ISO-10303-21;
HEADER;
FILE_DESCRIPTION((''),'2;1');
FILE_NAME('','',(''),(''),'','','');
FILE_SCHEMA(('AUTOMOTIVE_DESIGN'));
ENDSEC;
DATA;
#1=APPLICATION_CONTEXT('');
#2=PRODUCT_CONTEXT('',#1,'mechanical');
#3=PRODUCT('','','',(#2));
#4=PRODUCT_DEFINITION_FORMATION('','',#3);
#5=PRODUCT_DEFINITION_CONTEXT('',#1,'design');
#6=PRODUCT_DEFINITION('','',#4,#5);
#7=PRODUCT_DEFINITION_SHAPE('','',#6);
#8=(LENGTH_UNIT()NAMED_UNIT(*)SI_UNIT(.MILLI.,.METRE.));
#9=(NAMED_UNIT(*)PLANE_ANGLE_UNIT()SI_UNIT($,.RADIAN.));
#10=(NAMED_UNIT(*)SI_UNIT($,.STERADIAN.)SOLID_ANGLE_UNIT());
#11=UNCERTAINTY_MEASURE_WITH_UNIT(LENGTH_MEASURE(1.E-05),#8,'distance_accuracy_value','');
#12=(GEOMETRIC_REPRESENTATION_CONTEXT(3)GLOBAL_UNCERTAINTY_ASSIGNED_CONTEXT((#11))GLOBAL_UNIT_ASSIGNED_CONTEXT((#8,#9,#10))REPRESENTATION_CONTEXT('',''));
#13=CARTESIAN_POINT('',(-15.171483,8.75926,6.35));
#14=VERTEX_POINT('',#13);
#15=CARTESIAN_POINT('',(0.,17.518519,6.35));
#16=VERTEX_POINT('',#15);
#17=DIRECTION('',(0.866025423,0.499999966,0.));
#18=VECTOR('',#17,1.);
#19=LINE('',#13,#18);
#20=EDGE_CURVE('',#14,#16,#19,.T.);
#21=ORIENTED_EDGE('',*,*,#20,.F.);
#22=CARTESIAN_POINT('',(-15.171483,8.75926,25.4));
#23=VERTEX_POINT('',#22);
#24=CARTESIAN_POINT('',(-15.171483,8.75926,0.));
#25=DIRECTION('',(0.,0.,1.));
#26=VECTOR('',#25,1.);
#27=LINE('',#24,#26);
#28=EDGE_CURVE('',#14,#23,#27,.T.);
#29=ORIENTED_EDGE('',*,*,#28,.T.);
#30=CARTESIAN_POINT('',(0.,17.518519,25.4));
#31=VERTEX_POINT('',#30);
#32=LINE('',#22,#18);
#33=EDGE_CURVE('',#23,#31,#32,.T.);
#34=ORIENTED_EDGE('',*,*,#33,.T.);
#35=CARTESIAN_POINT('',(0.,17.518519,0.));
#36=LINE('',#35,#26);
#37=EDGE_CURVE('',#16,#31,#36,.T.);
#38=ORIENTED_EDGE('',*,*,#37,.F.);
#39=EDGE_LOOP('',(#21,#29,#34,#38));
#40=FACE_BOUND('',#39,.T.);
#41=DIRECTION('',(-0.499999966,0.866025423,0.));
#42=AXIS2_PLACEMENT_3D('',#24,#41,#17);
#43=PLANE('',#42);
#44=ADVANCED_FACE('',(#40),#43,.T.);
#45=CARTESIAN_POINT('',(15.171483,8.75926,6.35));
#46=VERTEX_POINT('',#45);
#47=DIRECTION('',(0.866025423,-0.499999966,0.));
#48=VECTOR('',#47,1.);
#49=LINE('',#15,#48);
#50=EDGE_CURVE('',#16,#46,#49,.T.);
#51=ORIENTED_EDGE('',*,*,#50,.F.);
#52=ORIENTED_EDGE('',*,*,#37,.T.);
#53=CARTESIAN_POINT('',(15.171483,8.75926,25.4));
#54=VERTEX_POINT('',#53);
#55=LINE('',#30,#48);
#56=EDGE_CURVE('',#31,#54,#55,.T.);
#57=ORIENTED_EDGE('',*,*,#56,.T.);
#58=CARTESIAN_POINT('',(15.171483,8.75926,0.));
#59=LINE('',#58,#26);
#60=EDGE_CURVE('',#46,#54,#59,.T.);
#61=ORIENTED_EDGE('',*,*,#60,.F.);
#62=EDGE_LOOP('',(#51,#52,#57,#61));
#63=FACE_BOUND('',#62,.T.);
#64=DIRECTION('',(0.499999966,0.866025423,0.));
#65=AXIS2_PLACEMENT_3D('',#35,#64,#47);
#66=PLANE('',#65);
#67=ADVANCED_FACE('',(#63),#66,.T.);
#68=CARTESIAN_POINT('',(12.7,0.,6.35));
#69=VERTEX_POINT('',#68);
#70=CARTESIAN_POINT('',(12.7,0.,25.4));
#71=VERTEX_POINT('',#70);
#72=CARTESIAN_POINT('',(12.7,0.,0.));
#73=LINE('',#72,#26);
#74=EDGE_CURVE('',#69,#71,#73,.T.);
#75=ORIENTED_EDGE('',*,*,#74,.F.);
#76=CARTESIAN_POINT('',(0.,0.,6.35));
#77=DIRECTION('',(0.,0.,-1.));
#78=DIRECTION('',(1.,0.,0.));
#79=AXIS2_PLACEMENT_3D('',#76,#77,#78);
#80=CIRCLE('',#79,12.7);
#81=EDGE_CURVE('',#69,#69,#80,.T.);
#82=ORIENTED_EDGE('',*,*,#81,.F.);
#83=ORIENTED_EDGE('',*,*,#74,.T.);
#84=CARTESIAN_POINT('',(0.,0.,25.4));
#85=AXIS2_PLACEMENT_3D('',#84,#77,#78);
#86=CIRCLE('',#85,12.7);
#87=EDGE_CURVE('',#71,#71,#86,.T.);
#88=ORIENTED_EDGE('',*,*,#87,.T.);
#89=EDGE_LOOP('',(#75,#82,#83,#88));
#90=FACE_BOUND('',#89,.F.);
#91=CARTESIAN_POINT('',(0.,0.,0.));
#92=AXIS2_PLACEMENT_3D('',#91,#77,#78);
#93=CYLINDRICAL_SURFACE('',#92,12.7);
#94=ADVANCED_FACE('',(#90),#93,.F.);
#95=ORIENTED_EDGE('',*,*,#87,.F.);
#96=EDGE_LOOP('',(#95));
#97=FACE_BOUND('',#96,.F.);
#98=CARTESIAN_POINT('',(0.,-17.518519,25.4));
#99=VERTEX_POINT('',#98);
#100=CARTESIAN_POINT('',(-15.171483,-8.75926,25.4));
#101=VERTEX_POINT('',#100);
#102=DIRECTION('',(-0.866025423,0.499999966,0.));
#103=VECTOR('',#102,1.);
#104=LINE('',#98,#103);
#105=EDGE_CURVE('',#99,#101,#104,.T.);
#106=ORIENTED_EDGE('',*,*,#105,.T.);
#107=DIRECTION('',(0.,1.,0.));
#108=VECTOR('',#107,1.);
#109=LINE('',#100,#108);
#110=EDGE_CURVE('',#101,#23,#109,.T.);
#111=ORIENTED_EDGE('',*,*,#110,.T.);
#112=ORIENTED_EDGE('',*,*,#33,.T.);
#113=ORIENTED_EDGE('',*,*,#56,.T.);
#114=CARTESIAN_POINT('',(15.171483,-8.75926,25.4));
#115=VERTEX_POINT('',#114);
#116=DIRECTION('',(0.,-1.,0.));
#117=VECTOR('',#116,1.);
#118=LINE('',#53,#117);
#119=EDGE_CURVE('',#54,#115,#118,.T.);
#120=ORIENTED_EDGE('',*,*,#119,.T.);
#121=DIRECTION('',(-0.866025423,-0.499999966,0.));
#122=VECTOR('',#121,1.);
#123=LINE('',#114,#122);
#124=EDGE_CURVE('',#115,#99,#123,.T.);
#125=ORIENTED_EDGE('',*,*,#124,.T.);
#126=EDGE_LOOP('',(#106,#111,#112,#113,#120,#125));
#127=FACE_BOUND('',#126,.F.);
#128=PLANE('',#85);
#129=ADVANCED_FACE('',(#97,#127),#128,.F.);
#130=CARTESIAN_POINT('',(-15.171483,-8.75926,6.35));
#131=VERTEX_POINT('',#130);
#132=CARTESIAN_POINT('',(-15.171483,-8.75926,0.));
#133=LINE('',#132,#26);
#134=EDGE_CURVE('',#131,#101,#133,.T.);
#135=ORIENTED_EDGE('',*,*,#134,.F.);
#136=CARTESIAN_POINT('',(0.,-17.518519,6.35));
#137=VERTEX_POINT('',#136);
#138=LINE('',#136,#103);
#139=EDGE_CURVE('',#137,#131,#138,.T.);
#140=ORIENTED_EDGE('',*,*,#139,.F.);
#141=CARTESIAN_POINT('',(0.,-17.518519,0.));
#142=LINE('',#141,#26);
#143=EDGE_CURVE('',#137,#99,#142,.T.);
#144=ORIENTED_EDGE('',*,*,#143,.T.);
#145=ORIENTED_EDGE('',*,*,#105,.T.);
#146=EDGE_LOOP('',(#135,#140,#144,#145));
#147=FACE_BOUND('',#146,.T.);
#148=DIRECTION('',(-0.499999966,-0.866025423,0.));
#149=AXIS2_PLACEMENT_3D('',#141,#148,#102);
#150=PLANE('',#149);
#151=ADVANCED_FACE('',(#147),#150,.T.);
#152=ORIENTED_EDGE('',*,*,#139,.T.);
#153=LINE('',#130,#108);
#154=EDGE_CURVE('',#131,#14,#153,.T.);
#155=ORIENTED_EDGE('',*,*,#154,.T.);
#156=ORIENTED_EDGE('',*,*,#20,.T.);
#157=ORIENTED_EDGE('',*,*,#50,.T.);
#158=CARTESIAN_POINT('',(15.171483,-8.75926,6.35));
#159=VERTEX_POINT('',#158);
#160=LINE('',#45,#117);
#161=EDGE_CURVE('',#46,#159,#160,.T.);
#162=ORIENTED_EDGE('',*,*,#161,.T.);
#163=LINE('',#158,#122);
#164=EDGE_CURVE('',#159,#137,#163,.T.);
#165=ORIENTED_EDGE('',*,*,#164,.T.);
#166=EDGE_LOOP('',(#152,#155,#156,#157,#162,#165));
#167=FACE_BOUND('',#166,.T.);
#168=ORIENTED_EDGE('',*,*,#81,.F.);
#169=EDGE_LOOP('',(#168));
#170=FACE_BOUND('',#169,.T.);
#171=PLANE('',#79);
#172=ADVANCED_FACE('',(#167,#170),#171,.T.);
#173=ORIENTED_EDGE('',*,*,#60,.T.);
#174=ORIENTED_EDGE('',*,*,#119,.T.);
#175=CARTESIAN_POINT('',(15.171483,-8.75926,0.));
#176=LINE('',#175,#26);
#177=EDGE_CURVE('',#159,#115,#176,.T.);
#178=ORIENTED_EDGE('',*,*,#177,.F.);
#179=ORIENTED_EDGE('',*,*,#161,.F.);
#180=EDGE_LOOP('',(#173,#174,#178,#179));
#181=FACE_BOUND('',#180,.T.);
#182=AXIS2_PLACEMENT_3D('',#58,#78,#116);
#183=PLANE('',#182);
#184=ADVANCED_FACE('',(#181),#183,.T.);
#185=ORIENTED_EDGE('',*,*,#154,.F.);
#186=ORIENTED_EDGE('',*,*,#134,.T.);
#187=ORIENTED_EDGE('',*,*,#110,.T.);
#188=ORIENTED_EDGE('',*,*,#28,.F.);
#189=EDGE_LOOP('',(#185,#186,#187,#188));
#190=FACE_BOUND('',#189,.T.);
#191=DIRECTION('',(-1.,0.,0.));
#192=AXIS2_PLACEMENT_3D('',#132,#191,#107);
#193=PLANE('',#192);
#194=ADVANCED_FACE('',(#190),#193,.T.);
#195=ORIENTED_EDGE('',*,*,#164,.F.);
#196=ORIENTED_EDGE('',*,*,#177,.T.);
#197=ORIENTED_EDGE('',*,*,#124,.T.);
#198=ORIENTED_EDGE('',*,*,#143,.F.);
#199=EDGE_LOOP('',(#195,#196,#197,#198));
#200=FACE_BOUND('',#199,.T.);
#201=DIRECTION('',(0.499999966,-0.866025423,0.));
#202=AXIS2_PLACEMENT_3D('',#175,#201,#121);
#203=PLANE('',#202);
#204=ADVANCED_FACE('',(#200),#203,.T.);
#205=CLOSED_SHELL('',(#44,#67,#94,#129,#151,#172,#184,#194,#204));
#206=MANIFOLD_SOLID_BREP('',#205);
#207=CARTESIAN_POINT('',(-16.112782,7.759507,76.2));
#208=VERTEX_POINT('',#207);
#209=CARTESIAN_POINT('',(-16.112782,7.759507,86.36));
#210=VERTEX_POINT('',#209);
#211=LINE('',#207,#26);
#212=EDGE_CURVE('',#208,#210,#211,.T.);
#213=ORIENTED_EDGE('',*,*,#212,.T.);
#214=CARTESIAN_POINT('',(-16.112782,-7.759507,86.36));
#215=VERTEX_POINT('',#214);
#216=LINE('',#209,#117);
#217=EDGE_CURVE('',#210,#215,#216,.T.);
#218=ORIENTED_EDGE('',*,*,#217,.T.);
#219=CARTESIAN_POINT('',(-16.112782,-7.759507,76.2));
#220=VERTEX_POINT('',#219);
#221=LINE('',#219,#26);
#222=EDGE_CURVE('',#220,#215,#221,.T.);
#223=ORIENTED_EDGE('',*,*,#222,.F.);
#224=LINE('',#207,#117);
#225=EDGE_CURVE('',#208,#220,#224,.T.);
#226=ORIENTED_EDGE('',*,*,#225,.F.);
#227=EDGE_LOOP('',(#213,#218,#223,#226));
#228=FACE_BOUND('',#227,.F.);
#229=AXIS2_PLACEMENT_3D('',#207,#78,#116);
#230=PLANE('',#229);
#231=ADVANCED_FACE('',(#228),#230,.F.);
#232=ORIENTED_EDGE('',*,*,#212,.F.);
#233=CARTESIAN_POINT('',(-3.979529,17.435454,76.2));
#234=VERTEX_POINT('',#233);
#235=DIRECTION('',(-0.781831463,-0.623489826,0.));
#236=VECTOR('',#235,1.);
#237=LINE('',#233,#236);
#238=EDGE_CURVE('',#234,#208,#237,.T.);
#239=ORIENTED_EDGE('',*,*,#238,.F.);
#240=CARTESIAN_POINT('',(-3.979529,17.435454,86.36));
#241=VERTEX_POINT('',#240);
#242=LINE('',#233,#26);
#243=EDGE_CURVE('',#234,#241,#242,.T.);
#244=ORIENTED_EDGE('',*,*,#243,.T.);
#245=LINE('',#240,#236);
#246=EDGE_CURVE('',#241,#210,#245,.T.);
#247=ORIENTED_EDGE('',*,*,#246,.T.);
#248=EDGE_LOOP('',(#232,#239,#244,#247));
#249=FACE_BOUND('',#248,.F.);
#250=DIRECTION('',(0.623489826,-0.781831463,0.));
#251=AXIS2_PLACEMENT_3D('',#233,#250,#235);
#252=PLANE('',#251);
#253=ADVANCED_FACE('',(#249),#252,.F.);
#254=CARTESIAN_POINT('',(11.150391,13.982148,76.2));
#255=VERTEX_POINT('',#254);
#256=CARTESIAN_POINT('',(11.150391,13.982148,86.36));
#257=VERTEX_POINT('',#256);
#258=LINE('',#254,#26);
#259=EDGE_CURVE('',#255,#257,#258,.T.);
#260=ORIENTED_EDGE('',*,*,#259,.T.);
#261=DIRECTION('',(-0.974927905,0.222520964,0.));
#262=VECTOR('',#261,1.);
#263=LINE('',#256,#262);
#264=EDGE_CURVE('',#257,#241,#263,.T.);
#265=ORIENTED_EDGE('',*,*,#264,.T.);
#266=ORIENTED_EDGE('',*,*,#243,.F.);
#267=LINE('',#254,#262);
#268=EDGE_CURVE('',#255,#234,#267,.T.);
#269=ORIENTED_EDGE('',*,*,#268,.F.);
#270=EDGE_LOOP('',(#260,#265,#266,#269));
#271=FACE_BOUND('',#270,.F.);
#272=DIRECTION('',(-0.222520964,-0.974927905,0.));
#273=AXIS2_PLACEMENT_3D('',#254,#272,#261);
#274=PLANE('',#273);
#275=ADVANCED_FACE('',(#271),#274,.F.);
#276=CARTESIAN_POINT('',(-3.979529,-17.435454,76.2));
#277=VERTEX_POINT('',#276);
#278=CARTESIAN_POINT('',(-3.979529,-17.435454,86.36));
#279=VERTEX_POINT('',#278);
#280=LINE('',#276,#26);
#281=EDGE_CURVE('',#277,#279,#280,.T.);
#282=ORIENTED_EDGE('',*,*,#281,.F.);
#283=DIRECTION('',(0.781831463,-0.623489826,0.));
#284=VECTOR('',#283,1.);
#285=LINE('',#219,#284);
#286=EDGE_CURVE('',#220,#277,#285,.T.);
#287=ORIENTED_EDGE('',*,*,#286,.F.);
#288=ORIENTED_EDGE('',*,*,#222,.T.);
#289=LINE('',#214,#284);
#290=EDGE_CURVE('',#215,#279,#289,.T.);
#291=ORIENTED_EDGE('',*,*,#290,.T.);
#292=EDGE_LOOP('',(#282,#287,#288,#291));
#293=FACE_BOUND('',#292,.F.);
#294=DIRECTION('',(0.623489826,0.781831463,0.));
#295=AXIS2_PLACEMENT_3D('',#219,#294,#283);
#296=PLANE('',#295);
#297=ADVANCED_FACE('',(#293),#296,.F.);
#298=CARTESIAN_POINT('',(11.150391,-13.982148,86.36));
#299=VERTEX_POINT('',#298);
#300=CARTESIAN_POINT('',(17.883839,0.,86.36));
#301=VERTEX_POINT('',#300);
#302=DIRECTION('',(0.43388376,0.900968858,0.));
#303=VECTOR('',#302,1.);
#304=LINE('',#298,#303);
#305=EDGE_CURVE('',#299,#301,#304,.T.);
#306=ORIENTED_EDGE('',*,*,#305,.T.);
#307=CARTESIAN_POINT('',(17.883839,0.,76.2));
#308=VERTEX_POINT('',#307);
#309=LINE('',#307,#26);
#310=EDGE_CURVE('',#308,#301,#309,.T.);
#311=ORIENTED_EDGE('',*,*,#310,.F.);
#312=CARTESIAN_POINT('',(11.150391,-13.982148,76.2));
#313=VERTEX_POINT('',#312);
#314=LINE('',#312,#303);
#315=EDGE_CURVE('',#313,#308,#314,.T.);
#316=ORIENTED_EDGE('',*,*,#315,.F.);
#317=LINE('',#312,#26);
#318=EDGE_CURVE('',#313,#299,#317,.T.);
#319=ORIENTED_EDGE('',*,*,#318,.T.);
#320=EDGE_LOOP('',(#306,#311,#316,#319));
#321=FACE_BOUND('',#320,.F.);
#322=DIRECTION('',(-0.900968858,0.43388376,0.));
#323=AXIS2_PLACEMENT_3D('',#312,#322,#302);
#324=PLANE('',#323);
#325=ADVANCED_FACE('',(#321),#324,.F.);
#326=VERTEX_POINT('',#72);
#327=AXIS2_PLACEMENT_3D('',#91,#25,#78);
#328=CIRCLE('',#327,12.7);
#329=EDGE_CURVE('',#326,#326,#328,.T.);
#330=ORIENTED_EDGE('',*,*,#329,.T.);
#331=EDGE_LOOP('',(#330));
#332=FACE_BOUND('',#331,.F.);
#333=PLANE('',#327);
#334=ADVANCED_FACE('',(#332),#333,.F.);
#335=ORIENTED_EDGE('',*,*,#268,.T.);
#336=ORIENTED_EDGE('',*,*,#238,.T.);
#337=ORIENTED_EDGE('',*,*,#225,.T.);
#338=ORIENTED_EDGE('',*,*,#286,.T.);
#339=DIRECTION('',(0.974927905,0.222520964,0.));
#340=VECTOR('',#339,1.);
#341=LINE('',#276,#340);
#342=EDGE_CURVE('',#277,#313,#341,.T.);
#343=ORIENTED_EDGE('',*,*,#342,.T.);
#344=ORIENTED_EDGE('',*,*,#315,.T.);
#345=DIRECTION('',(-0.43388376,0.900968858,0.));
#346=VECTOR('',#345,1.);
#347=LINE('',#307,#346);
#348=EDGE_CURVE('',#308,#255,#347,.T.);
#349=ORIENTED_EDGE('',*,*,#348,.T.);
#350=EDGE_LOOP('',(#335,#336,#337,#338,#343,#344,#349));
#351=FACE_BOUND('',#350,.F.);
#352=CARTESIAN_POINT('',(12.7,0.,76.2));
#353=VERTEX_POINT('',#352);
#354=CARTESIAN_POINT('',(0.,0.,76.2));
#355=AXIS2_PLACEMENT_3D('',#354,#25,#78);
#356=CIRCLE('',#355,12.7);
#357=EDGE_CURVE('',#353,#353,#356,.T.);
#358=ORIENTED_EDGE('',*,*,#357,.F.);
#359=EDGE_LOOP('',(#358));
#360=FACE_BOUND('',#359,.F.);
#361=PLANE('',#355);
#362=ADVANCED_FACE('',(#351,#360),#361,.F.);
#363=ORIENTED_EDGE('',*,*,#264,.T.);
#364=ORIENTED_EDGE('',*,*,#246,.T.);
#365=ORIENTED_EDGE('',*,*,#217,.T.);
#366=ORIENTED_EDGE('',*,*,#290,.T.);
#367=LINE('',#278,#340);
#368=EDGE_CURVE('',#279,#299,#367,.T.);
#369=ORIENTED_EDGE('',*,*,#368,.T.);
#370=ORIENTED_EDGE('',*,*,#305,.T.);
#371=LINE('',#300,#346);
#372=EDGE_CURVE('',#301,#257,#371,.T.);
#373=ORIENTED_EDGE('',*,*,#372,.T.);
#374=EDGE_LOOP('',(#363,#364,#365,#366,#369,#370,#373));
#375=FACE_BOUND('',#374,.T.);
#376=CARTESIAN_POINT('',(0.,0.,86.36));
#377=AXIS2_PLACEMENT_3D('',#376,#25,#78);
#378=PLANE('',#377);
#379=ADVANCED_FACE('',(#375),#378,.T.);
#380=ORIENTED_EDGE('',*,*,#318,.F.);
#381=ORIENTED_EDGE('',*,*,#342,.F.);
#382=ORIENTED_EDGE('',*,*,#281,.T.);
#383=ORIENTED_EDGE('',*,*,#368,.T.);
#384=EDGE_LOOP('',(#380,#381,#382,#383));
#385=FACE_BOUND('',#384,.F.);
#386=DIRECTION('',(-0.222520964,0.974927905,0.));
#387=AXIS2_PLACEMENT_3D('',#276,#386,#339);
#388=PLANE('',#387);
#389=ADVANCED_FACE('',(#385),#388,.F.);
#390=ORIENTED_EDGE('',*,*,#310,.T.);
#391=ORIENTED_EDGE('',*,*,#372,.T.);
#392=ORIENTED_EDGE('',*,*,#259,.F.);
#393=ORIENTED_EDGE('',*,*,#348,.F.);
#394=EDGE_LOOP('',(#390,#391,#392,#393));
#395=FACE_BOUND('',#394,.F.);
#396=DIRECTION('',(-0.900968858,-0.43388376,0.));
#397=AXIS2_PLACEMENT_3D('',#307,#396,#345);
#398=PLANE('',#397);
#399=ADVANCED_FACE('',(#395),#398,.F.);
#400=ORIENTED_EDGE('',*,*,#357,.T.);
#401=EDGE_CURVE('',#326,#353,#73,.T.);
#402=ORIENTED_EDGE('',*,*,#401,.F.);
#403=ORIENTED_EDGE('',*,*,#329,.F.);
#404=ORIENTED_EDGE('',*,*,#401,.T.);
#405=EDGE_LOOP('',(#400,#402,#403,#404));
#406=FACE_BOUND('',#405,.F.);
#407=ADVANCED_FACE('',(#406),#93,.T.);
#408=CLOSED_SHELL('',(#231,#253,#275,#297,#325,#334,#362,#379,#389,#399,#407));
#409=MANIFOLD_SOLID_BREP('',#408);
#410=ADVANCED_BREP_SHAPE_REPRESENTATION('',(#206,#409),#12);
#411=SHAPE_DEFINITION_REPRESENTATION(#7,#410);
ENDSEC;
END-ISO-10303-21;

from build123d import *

# Parameters (mm, degrees)
F0_R      = 12.7
F1_DEPTH  = 76.2
F2_R      = 12.7
F3_DEPTH  = 10.16
F4_R      = 12.7
F5_DEPTH  = 25.4
F5_FACE_R = 12.7
F6_DEPTH  = 6.35


with BuildPart() as f1:
    # F0 (on Top) → F1 (new body)
    with BuildSketch(Plane.XY):
        Circle(F0_R)
    extrude(amount=F1_DEPTH)

    # F2 (on face) → F3 (join)
    with BuildSketch(Plane.XY.offset(76.2)):
        Polygon((-16.112782, 7.759507), (-16.112782, -7.759507), (-3.979529, -17.435454), (11.150391, -13.982148), (17.883839, 0), (11.150391, 13.982148), (-3.979529, 17.435454), align=None)
        Circle(F2_R, mode=Mode.SUBTRACT)
        Circle(F2_R)
    extrude(amount=F3_DEPTH)


with BuildPart() as f5:
    # F4 (on face) → F5 (new body)
    with BuildSketch(Plane(origin=(0, 0, 0), x_dir=(1, 0, 0), z_dir=(0, 0, -1))):
        Polygon((-15.171483, 8.75926), (-15.171483, -8.75926), (0, -17.518519), (15.171483, -8.75926), (15.171483, 8.75926), (0, 17.518519), align=None)
        Circle(F4_R, mode=Mode.SUBTRACT)
    extrude(amount=-F5_DEPTH)

    # F5_face (on face) → F6 (cut)
    with BuildSketch(Plane(origin=(0, 0, 0), x_dir=(1, 0, 0), z_dir=(0, 0, -1))):
        Polygon((-15.171483, 8.75926), (-15.171483, -8.75926), (0, -17.518519), (15.171483, -8.75926), (15.171483, 8.75926), (0, 17.518519), align=None)
        Circle(F5_FACE_R, mode=Mode.SUBTRACT)
    extrude(amount=-F6_DEPTH, mode=Mode.SUBTRACT)


solid = Compound([f1.part, f5.part])
